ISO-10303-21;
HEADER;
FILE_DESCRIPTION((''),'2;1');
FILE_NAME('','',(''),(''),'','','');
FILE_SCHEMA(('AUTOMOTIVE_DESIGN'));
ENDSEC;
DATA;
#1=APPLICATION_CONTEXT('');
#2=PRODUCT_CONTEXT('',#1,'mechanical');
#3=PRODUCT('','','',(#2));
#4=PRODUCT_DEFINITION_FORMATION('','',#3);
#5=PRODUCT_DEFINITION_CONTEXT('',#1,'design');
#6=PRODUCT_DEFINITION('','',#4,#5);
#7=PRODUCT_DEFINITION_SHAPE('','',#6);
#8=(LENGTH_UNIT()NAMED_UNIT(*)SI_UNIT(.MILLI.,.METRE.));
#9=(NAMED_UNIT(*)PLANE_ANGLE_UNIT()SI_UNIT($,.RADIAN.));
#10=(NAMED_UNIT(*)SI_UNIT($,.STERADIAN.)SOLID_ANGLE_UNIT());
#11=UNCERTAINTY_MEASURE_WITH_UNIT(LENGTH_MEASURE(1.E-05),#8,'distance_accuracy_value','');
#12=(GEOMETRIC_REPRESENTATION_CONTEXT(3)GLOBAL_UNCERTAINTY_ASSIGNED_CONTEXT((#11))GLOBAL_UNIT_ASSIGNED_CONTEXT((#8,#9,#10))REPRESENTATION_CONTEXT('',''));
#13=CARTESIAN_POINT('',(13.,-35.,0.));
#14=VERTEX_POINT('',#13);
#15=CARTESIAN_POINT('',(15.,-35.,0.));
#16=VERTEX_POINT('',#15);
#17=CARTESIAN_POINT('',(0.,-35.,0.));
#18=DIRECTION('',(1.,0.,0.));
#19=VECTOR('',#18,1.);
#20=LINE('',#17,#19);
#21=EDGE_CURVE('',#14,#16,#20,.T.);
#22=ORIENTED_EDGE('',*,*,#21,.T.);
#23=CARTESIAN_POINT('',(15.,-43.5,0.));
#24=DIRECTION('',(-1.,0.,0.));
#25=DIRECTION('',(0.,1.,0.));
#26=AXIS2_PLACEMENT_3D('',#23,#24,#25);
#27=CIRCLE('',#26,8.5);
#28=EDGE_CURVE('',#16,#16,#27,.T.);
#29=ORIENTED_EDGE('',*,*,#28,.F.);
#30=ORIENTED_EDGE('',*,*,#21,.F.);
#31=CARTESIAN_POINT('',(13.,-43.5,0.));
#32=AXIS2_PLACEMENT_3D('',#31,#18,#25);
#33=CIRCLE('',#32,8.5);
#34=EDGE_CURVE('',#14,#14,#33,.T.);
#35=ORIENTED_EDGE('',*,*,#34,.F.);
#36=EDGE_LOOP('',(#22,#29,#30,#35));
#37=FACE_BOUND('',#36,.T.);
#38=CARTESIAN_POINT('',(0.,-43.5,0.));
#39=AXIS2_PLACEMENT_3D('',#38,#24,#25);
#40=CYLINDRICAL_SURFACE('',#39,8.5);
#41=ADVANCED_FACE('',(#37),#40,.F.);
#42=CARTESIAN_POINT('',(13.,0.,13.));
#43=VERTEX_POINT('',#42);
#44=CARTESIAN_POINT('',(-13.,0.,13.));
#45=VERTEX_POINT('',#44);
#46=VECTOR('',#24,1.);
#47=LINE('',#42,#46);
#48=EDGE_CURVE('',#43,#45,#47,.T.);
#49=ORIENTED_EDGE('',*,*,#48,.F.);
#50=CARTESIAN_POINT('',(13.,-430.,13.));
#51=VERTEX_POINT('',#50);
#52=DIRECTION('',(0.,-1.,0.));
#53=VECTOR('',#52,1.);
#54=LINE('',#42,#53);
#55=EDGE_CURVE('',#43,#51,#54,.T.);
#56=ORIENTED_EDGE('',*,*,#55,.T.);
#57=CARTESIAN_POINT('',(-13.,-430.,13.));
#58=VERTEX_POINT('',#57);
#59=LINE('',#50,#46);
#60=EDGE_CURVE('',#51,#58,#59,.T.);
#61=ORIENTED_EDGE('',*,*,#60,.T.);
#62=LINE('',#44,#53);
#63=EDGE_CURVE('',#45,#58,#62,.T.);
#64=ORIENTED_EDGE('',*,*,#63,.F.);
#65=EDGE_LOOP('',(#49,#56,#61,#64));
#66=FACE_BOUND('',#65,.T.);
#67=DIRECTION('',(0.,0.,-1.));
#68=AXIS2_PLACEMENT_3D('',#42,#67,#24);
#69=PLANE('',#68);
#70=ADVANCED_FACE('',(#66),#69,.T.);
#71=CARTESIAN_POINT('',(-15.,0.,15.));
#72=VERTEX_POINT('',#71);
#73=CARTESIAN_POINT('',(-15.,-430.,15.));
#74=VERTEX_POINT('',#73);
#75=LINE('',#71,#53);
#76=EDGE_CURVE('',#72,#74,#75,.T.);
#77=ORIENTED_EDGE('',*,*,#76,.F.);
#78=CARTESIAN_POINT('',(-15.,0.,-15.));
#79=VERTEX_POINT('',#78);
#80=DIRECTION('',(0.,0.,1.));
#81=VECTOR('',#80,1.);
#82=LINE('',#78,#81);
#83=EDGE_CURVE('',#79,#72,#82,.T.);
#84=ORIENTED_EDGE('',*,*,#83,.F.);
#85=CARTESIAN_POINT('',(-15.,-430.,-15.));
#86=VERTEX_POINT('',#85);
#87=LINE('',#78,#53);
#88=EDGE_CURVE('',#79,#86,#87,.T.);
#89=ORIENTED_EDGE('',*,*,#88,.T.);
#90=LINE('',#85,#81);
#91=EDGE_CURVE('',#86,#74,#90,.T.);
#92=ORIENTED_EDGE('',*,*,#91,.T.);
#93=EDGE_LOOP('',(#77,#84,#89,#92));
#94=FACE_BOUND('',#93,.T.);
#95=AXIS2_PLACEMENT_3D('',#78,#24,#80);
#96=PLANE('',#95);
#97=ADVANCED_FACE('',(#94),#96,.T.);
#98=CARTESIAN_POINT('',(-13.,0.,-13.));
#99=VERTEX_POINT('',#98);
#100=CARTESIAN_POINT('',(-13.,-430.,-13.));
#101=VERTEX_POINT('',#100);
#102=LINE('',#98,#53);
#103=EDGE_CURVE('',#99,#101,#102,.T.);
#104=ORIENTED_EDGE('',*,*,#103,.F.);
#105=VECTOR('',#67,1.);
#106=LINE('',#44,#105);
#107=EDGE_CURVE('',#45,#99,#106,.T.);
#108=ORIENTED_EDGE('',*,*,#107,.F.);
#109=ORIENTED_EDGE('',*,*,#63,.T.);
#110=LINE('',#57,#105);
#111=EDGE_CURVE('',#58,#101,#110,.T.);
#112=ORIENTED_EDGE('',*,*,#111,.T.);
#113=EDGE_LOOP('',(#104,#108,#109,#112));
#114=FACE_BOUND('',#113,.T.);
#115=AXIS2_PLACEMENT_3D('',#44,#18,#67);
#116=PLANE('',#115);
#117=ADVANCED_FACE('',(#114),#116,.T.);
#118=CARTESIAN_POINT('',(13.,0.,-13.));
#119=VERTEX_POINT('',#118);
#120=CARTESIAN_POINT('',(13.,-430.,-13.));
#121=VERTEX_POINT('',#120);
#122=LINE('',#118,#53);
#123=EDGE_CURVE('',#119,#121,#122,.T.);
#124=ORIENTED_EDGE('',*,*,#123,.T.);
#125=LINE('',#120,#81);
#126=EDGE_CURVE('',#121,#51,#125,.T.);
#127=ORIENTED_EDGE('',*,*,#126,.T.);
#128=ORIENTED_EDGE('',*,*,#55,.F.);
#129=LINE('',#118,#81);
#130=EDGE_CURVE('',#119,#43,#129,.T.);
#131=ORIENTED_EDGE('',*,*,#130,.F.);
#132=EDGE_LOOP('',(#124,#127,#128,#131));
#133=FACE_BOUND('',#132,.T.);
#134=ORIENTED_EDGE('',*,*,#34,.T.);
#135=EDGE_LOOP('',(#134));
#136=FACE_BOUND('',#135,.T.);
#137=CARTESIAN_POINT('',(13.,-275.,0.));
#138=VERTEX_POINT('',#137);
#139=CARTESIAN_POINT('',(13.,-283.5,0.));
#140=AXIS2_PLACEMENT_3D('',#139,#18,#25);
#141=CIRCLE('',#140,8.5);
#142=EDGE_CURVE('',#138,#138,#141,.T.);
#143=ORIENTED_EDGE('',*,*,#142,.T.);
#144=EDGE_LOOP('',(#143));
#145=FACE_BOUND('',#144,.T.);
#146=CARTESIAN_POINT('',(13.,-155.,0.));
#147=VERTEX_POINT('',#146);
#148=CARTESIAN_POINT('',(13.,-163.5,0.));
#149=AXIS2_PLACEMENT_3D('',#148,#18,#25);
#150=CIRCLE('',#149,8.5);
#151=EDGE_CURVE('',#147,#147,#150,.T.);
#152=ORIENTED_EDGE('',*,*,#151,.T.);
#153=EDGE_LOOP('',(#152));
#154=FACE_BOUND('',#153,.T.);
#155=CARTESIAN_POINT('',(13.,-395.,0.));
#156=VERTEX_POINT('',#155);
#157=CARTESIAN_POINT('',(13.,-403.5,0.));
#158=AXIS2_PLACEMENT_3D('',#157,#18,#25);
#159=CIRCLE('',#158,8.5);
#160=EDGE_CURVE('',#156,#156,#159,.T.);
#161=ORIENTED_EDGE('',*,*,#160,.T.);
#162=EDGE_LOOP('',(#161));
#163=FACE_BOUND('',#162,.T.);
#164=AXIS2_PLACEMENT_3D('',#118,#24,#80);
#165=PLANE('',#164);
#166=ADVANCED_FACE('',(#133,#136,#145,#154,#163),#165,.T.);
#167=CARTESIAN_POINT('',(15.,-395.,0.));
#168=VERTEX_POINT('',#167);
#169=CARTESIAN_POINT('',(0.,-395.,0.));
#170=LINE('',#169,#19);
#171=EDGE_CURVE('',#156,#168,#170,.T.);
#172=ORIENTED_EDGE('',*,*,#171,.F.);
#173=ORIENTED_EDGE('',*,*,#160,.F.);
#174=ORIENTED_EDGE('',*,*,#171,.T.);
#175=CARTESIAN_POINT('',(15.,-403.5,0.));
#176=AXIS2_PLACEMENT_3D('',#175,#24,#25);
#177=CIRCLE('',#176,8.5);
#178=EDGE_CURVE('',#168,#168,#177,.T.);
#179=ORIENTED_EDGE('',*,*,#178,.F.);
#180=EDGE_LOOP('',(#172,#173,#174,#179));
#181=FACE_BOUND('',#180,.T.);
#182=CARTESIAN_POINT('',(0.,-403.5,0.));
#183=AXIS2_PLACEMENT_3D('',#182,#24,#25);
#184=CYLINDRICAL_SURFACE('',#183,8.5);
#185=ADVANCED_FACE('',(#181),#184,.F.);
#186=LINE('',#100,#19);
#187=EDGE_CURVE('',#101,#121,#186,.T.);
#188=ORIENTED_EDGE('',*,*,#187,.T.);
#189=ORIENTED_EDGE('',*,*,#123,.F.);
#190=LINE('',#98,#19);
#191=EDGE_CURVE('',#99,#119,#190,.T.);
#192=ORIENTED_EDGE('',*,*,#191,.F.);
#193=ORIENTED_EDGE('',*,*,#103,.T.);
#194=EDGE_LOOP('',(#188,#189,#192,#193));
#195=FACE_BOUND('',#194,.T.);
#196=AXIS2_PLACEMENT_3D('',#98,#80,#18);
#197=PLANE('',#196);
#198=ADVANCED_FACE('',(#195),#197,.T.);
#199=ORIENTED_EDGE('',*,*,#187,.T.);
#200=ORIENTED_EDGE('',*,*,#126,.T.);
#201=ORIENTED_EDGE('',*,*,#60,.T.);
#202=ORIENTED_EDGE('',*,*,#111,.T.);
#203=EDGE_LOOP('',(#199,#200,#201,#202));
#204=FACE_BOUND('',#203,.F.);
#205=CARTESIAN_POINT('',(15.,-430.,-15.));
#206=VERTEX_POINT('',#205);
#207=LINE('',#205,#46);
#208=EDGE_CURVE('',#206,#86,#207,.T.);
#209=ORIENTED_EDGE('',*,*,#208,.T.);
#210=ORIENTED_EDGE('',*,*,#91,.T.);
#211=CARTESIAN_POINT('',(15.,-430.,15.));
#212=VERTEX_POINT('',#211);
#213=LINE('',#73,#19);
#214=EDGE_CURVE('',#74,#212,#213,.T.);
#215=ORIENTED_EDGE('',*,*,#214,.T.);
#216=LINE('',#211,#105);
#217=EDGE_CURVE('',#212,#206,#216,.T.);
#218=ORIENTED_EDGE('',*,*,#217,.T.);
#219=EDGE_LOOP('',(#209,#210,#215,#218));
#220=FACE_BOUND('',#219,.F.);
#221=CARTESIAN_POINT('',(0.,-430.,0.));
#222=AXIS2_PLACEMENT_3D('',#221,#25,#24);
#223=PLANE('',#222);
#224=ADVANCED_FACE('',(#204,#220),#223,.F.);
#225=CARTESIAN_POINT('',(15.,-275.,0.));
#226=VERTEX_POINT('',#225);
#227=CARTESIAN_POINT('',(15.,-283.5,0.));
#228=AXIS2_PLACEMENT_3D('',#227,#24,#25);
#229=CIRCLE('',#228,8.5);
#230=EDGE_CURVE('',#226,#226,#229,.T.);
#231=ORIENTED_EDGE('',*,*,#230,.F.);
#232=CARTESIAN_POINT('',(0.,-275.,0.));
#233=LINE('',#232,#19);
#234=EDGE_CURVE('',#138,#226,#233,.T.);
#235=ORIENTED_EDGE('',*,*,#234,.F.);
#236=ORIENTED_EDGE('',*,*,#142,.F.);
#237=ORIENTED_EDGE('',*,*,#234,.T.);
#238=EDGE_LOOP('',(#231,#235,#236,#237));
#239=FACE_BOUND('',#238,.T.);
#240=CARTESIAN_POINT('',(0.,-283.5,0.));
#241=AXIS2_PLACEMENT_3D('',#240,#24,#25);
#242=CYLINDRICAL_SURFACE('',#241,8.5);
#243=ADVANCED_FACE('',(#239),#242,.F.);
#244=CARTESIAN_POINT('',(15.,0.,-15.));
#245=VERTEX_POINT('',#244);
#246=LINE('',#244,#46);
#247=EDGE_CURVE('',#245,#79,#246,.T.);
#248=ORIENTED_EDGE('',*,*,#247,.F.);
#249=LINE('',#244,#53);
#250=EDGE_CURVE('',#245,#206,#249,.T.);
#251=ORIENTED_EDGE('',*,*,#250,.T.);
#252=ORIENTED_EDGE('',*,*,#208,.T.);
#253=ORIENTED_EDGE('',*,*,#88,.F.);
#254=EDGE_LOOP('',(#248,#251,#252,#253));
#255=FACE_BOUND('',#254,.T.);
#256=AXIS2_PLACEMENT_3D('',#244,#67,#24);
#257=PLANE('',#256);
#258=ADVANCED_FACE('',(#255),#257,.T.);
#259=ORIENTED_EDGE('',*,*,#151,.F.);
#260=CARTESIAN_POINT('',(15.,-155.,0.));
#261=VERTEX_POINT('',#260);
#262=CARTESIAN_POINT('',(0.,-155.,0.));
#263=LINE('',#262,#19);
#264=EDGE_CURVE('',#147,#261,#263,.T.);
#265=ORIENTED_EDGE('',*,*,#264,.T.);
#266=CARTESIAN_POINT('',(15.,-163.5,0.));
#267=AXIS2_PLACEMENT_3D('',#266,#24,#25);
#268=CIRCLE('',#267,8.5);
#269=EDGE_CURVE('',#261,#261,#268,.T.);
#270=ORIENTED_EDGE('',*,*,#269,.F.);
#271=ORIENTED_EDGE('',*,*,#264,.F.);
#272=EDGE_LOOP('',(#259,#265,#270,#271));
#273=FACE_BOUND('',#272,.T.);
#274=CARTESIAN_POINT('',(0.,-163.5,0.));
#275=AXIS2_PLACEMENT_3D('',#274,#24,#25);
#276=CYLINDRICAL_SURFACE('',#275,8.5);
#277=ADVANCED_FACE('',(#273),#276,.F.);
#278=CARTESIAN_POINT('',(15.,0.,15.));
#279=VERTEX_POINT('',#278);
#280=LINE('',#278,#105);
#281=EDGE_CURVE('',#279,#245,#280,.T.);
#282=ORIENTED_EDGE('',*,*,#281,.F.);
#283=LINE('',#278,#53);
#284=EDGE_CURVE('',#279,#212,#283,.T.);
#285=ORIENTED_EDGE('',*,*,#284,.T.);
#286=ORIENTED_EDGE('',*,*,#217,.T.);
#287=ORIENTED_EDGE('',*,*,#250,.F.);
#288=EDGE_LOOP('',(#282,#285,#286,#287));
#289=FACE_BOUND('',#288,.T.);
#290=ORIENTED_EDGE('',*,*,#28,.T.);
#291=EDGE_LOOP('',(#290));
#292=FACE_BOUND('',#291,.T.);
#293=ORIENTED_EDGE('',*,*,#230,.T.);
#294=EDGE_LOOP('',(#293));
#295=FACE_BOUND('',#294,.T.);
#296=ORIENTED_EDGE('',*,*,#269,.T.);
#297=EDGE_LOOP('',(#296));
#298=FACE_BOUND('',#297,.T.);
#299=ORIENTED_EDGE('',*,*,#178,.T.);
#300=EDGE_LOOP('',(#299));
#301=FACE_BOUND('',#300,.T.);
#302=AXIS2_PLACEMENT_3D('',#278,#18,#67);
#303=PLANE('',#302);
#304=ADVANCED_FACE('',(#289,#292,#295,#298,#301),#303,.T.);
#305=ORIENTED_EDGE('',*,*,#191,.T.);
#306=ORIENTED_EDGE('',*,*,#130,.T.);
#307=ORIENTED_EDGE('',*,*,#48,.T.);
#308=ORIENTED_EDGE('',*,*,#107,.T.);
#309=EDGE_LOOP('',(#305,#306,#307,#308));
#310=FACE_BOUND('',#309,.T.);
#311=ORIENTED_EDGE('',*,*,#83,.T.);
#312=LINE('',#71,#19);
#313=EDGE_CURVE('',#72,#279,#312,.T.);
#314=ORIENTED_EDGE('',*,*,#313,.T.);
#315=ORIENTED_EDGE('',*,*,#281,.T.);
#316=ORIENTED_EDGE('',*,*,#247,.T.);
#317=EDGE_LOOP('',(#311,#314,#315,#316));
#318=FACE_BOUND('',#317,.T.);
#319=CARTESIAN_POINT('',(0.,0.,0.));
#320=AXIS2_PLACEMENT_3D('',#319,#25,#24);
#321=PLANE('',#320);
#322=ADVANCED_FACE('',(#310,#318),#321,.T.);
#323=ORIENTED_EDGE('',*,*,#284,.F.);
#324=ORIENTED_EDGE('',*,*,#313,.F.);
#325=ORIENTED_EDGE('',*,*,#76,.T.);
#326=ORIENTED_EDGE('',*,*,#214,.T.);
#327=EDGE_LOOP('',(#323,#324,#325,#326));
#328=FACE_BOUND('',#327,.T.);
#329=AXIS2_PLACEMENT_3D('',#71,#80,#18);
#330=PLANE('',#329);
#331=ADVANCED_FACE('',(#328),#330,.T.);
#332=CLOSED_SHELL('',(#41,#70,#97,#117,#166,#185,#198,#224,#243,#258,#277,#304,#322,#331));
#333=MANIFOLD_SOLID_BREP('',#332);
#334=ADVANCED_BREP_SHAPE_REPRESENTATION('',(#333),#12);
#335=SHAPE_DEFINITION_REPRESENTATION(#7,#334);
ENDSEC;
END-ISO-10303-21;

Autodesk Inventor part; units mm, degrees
ref_plane "YZ Plane" through (0, 0, 0) normal (1, 0, 0) x (0, 1, 0)
ref_plane "XZ Plane" through (0, 0, 0) normal (0, 1, 0) x (-1, 0, 0)
ref_plane "XY Plane" through (0, 0, 0) normal (0, 0, 1) x (1, 0, 0)
sketch "Sketch9" plane through (0, 0, 0) normal (0, 1, 0) x (-1, 0, 0)
  line L0 (15, 15) -> (-15, 15)
  line L1 (-15, 15) -> (-15, -15)
  line L2 (-15, -15) -> (15, -15)
  line L3 (15, -15) -> (15, 15)
  line L4 (15, 15) -> (-15, -15) construction
  line L5 (-15, 15) -> (15, -15) construction
  line L6 (-13, 13) -> (13, 13)
  line L7 (13, 13) -> (13, -13)
  line L8 (13, -13) -> (-13, -13)
  line L9 (-13, -13) -> (-13, 13)
  point P0 (0, 0)
  dimension "d172" = 30
  dimension "d173" = 30
  dimension "d174" = 2
extrude "Extrusion3" add sketch "Sketch9" against normal blind 430
sketch "Sketch10" plane through (0, 0, 0) normal (1, 0, 0) x (0, 1, 0)
  line L0 (0, 15) -> (0, -15) construction
  line L1 (0, 15) -> (-430, 15) construction
  line L2 (-430, -15) -> (-430, 15) construction
  line L3 (0, -15) -> (-430, -15) construction
  line L4 (-412, 8.5) -> (-395, 8.5)
  line L5 (-395, 8.5) -> (-395, -8.5)
  line L6 (-395, -8.5) -> (-412, -8.5)
  line L7 (-412, -8.5) -> (-412, 8.5)
  line L8 (-412, 8.5) -> (-395, -8.5) construction
  line L9 (-395, 8.5) -> (-412, -8.5) construction
  circle A0 centre (-403.5, 0) radius 8.5
  line L10 (0, 15) -> (0, -15) projected
  point P0 (0, 0)
  point P1 (0, 0)
  point P2 (-430, 0)
  dimension "d177" = 17
  dimension "d178" = 17
  dimension "d191" = 18
extrude "Extrusion4" cut sketch "Sketch10" along normal through all contours A0
pattern_linear "Rectangular Pattern4" count 4 spacing 120 along (0, 1, 0) of "Extrusion4"
properties part number "ANP 1436 FDS WAY tube6" material "Stainless Steel"
